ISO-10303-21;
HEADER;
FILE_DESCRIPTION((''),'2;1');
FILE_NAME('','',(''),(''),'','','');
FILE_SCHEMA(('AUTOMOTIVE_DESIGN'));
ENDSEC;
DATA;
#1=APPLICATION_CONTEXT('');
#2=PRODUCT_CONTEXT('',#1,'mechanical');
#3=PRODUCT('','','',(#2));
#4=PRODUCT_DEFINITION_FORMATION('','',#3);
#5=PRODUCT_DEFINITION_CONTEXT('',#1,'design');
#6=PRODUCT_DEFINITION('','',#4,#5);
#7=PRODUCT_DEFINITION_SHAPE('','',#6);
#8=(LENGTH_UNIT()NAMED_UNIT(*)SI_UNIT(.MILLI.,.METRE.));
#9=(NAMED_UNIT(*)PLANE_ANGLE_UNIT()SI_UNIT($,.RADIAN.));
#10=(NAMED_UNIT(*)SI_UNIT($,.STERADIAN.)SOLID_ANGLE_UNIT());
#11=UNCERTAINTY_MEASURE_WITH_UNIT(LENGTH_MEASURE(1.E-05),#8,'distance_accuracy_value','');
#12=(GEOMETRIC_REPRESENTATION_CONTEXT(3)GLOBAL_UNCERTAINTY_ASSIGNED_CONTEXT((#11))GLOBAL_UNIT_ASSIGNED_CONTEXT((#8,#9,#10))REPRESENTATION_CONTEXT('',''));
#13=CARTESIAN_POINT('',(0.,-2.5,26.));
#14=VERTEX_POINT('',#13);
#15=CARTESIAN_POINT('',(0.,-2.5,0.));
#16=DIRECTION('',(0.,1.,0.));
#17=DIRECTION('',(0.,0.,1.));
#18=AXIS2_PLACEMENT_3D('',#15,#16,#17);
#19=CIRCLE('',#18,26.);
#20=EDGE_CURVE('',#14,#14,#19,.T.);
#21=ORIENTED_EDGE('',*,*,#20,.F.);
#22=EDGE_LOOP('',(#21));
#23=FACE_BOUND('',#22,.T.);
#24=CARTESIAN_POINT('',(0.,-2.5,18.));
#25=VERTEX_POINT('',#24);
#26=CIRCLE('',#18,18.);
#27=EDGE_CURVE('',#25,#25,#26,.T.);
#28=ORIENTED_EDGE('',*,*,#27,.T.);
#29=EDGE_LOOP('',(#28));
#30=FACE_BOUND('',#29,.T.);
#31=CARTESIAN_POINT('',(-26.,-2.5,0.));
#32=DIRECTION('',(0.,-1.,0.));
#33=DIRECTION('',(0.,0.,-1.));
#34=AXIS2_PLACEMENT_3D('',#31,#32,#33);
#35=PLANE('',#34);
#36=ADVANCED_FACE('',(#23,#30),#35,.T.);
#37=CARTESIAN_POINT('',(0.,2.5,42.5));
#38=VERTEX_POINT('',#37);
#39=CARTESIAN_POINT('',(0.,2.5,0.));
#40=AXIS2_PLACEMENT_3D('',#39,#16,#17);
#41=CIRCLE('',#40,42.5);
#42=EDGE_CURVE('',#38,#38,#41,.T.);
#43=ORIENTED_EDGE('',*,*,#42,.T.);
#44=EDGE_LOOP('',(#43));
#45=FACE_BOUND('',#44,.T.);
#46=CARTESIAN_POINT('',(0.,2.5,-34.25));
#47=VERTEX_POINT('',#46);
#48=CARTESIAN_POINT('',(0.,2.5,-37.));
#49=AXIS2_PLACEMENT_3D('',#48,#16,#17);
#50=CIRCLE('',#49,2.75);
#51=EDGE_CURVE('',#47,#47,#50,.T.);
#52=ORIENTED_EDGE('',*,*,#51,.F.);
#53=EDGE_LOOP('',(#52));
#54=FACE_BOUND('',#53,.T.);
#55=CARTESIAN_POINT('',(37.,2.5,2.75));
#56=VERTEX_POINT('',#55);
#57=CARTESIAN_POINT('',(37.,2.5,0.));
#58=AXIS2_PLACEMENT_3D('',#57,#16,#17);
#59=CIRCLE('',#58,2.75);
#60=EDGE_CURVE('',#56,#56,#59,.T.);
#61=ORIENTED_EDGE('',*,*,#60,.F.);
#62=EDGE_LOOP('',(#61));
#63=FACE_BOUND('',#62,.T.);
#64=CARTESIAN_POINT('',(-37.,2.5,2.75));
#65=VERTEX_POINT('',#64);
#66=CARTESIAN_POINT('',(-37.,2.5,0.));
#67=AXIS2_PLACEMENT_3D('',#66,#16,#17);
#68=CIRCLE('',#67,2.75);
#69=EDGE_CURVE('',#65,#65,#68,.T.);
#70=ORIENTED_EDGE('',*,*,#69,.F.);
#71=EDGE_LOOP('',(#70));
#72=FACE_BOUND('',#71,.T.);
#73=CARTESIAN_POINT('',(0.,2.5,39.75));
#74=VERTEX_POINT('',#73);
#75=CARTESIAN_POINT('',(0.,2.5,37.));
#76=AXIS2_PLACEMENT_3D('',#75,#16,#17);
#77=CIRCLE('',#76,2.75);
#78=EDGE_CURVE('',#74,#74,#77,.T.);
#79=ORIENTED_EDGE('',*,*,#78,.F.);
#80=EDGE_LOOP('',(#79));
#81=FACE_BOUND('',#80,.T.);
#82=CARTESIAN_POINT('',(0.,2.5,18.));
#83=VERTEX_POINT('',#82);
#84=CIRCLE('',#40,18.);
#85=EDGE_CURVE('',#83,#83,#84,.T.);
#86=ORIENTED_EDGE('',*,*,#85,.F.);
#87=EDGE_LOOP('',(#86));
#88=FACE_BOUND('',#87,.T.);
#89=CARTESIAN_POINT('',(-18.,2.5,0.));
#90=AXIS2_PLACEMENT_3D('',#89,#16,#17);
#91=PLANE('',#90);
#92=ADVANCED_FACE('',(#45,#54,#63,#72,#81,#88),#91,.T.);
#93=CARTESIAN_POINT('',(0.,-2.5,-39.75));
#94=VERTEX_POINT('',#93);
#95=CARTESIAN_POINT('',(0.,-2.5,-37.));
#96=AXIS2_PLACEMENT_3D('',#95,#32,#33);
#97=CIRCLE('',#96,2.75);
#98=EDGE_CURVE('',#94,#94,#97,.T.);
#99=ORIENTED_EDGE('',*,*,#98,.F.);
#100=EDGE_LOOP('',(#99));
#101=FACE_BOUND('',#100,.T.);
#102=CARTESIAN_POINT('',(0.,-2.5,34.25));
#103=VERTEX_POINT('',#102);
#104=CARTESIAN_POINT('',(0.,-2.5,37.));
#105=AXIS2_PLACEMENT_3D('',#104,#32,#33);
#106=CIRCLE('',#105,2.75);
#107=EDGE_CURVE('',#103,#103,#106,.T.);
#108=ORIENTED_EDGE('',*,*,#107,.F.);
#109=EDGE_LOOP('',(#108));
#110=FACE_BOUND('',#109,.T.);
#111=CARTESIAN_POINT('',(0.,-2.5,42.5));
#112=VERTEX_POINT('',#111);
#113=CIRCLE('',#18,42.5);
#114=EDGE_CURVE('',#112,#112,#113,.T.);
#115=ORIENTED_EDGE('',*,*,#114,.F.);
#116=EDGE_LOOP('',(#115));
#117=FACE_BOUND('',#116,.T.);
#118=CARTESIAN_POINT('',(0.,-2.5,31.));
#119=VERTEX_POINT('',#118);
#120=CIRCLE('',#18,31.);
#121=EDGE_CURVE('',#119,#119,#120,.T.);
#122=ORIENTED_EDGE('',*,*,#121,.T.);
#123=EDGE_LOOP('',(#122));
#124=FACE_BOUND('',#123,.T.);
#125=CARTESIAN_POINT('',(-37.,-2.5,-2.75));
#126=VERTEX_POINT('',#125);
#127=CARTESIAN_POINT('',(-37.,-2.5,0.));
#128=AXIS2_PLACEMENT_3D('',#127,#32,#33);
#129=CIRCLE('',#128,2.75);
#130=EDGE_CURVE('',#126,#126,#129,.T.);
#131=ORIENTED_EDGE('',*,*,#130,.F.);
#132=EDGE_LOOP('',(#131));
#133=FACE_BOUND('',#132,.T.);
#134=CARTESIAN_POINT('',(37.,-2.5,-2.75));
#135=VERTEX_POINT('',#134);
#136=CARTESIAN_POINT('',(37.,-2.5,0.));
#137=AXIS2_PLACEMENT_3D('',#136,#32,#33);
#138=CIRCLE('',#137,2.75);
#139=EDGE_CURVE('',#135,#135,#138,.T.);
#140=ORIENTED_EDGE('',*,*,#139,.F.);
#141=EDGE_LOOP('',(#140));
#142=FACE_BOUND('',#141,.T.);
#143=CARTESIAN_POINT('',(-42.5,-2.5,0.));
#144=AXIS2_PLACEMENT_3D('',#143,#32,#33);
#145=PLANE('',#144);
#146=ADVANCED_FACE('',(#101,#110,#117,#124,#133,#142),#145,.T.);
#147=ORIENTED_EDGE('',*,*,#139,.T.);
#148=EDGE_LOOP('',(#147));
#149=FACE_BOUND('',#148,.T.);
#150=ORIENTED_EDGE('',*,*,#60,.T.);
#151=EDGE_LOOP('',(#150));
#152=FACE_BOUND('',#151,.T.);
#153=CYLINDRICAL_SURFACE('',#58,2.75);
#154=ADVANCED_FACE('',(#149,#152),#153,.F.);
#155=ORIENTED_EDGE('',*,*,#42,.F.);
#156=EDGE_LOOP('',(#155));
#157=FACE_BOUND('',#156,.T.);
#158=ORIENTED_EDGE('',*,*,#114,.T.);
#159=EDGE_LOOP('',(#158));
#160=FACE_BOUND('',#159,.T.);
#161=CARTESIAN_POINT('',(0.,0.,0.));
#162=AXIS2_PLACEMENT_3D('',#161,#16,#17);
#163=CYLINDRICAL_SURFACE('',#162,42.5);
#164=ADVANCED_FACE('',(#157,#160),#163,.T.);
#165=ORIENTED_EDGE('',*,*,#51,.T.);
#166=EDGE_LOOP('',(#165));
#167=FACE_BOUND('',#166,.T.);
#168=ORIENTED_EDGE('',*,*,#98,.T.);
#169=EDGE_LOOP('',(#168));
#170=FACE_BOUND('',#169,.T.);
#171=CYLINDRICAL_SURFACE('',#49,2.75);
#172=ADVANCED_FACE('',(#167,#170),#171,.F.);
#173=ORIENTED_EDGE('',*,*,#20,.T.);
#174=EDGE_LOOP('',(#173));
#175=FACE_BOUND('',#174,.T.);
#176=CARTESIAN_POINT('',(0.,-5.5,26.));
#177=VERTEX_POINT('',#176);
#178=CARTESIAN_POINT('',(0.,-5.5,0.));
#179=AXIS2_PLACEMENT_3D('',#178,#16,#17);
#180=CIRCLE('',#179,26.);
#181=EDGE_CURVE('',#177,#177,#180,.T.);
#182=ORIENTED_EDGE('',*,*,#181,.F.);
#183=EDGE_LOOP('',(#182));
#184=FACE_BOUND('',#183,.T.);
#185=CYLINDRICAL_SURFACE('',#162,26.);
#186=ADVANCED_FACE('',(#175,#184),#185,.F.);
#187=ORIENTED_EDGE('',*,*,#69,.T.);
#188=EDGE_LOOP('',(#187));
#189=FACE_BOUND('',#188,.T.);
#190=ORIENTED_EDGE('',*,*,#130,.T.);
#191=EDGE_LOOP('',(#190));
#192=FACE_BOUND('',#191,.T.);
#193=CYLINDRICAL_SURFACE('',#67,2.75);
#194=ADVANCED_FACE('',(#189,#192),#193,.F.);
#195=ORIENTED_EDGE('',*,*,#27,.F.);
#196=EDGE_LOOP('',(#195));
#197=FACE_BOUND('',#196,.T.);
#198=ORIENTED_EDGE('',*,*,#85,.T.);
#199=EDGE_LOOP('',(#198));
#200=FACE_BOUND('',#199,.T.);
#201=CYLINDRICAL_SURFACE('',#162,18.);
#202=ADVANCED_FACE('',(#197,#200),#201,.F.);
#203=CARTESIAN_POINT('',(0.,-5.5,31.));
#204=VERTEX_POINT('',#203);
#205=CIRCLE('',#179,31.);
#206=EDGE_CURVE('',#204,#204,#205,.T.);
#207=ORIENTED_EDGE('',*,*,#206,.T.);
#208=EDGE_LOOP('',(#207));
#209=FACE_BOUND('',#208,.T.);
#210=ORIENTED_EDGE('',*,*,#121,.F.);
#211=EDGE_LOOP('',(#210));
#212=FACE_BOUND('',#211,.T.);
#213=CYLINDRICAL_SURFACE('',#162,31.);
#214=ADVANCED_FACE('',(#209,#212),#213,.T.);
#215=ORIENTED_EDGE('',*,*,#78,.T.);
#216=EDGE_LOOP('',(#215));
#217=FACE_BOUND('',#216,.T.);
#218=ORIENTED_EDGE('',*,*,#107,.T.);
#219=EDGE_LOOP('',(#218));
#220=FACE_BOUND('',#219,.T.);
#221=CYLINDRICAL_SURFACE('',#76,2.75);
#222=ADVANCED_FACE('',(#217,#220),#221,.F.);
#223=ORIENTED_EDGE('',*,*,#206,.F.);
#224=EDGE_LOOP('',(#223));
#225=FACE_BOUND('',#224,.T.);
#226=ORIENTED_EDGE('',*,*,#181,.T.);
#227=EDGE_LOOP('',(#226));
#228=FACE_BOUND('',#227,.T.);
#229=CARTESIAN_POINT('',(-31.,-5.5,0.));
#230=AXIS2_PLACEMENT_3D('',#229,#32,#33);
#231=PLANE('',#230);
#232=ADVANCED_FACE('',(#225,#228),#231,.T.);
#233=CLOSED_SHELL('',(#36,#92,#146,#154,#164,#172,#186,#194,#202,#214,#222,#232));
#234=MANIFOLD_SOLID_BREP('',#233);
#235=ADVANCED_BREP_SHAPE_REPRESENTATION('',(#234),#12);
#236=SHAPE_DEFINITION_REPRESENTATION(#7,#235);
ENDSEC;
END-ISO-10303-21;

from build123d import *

# Parameters (mm, degrees)
M5_CLEARANCE_HOLE1_D = 5.5
CIRPATTERN1_COUNT    = 4


with BuildPart() as part:
    # Sketch1 → Revolve1 (revolve)
    with BuildSketch(Plane.XY):
        Polygon((-18, 2.5), (-42.5, 2.5), (-42.5, -2.5), (-31, -2.5), (-31, -5.5), (-26, -5.5), (-26, -2.5), (-18, -2.5), align=None)
    revolve(axis=Axis((0, 0, 0), (0, -1, 0)))

    # M5 Clearance Hole1 (through all)
    with Locations(Plane(origin=(37, 2.5, 0), x_dir=(0, 0, 1), z_dir=(0, 1, 0))):
        with Locations((0, 0)):
            m5_clearance_hole1 = Hole(M5_CLEARANCE_HOLE1_D / 2)

    # CirPattern1: M5 Clearance Hole1 ×4 about axis
    cirpattern1_axis = Axis((0, 55, 0), (0, -1, 0))
    for i in range(1, CIRPATTERN1_COUNT):
        add(m5_clearance_hole1.rotate(cirpattern1_axis, i * 360 / CIRPATTERN1_COUNT), mode=Mode.SUBTRACT)


solid = part.part
